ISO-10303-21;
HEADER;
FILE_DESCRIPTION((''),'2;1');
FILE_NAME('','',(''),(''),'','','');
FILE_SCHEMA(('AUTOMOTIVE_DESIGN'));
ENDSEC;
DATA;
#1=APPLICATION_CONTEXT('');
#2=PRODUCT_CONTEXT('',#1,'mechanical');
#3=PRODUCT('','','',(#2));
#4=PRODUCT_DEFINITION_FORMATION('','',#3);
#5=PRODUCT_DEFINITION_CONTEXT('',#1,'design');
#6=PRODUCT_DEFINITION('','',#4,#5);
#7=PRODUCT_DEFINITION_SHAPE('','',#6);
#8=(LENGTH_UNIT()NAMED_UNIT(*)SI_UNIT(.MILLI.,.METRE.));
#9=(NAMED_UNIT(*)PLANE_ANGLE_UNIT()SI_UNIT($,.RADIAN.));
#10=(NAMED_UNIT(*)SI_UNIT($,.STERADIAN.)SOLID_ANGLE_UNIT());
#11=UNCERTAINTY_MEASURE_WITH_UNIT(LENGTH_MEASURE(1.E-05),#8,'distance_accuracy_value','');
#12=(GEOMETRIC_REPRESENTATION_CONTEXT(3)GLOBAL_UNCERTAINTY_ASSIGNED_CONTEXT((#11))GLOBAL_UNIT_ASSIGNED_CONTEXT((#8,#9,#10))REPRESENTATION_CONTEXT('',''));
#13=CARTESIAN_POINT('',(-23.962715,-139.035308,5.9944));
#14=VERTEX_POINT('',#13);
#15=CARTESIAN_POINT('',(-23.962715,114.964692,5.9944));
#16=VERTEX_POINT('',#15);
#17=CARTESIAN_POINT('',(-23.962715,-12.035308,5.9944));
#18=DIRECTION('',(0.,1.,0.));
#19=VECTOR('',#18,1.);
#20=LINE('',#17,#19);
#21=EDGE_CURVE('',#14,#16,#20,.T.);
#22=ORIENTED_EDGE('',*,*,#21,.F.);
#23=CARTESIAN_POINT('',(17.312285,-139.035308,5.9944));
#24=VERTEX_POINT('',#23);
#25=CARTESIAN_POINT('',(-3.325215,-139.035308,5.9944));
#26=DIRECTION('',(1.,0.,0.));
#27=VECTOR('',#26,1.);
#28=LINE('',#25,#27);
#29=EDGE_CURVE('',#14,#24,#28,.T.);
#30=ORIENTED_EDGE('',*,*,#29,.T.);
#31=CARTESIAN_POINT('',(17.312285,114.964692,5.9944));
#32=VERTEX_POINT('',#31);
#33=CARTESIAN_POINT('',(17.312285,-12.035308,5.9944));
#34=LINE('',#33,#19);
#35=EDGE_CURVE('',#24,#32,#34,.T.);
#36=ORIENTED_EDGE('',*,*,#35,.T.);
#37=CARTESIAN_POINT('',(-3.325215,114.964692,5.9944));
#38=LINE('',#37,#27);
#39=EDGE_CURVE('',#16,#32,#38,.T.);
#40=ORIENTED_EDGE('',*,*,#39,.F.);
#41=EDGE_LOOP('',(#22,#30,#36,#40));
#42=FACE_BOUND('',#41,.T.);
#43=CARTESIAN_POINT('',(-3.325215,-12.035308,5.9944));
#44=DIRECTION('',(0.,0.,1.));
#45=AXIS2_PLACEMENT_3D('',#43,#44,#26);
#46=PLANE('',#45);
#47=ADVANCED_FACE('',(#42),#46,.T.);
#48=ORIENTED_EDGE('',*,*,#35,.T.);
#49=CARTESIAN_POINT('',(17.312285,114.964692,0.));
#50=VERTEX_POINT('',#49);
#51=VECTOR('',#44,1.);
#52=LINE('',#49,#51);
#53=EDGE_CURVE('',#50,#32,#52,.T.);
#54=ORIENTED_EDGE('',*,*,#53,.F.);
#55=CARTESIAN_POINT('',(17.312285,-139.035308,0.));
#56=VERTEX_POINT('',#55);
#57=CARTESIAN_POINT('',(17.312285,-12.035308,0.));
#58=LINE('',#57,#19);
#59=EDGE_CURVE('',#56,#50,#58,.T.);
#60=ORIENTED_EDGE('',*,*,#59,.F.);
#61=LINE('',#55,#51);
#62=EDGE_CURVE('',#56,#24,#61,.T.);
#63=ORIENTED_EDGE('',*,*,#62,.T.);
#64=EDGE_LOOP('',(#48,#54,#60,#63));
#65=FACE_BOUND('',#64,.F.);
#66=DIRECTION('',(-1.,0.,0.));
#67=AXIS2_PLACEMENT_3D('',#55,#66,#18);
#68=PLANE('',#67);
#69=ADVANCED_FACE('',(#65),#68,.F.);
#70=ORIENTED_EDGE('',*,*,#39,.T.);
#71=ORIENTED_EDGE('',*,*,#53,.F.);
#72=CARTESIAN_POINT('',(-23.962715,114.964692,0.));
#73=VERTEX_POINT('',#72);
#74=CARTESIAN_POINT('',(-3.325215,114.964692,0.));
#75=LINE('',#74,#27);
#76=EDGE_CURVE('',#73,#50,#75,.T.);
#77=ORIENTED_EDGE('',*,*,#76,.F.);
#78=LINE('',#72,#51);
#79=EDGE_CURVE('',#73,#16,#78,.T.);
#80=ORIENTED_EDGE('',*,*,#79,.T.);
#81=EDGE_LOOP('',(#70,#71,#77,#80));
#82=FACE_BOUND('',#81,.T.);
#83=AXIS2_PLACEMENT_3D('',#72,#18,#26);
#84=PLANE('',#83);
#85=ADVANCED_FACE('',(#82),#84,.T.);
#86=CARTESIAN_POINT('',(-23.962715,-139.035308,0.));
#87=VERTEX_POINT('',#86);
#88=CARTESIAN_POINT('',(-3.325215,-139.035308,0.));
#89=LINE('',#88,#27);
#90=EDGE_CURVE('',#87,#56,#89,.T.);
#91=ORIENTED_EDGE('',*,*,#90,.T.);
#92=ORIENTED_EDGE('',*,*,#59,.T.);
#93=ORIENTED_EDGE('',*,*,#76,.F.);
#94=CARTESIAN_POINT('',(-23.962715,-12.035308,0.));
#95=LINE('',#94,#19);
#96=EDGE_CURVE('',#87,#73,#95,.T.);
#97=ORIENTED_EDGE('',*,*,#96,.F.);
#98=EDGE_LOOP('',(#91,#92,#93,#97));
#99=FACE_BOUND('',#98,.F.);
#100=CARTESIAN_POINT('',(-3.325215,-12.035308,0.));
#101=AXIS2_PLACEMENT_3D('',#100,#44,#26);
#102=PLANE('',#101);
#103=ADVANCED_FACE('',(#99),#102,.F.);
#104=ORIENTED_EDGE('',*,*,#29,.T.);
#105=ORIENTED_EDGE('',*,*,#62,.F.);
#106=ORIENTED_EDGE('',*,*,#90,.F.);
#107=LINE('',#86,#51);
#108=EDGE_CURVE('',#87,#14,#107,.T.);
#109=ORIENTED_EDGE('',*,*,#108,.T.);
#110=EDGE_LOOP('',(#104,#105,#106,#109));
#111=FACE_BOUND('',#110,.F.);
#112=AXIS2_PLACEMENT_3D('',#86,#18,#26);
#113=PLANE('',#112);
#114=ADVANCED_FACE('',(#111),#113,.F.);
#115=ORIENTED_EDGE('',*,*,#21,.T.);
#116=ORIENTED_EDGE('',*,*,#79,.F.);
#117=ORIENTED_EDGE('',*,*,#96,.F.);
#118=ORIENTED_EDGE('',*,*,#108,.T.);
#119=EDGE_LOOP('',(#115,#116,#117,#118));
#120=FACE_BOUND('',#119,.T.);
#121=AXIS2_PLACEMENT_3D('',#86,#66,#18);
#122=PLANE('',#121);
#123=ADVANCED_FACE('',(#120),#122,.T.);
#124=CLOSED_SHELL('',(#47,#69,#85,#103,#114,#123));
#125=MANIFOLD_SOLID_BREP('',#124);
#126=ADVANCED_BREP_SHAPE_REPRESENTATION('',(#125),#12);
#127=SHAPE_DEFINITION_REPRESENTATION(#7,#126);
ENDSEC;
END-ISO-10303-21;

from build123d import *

# Parameters (mm, degrees)
SKETCH_W      = 41.275
SKETCH_H      = 254
EXTRUDE_DEPTH = 5.9944


with BuildPart() as part:
    # Sketch → Extrude (new body)
    with BuildSketch(Plane.XY):
        with Locations((-3.325215, -12.035308)):
            Rectangle(SKETCH_W, SKETCH_H)
    extrude(amount=EXTRUDE_DEPTH)


solid = part.part
